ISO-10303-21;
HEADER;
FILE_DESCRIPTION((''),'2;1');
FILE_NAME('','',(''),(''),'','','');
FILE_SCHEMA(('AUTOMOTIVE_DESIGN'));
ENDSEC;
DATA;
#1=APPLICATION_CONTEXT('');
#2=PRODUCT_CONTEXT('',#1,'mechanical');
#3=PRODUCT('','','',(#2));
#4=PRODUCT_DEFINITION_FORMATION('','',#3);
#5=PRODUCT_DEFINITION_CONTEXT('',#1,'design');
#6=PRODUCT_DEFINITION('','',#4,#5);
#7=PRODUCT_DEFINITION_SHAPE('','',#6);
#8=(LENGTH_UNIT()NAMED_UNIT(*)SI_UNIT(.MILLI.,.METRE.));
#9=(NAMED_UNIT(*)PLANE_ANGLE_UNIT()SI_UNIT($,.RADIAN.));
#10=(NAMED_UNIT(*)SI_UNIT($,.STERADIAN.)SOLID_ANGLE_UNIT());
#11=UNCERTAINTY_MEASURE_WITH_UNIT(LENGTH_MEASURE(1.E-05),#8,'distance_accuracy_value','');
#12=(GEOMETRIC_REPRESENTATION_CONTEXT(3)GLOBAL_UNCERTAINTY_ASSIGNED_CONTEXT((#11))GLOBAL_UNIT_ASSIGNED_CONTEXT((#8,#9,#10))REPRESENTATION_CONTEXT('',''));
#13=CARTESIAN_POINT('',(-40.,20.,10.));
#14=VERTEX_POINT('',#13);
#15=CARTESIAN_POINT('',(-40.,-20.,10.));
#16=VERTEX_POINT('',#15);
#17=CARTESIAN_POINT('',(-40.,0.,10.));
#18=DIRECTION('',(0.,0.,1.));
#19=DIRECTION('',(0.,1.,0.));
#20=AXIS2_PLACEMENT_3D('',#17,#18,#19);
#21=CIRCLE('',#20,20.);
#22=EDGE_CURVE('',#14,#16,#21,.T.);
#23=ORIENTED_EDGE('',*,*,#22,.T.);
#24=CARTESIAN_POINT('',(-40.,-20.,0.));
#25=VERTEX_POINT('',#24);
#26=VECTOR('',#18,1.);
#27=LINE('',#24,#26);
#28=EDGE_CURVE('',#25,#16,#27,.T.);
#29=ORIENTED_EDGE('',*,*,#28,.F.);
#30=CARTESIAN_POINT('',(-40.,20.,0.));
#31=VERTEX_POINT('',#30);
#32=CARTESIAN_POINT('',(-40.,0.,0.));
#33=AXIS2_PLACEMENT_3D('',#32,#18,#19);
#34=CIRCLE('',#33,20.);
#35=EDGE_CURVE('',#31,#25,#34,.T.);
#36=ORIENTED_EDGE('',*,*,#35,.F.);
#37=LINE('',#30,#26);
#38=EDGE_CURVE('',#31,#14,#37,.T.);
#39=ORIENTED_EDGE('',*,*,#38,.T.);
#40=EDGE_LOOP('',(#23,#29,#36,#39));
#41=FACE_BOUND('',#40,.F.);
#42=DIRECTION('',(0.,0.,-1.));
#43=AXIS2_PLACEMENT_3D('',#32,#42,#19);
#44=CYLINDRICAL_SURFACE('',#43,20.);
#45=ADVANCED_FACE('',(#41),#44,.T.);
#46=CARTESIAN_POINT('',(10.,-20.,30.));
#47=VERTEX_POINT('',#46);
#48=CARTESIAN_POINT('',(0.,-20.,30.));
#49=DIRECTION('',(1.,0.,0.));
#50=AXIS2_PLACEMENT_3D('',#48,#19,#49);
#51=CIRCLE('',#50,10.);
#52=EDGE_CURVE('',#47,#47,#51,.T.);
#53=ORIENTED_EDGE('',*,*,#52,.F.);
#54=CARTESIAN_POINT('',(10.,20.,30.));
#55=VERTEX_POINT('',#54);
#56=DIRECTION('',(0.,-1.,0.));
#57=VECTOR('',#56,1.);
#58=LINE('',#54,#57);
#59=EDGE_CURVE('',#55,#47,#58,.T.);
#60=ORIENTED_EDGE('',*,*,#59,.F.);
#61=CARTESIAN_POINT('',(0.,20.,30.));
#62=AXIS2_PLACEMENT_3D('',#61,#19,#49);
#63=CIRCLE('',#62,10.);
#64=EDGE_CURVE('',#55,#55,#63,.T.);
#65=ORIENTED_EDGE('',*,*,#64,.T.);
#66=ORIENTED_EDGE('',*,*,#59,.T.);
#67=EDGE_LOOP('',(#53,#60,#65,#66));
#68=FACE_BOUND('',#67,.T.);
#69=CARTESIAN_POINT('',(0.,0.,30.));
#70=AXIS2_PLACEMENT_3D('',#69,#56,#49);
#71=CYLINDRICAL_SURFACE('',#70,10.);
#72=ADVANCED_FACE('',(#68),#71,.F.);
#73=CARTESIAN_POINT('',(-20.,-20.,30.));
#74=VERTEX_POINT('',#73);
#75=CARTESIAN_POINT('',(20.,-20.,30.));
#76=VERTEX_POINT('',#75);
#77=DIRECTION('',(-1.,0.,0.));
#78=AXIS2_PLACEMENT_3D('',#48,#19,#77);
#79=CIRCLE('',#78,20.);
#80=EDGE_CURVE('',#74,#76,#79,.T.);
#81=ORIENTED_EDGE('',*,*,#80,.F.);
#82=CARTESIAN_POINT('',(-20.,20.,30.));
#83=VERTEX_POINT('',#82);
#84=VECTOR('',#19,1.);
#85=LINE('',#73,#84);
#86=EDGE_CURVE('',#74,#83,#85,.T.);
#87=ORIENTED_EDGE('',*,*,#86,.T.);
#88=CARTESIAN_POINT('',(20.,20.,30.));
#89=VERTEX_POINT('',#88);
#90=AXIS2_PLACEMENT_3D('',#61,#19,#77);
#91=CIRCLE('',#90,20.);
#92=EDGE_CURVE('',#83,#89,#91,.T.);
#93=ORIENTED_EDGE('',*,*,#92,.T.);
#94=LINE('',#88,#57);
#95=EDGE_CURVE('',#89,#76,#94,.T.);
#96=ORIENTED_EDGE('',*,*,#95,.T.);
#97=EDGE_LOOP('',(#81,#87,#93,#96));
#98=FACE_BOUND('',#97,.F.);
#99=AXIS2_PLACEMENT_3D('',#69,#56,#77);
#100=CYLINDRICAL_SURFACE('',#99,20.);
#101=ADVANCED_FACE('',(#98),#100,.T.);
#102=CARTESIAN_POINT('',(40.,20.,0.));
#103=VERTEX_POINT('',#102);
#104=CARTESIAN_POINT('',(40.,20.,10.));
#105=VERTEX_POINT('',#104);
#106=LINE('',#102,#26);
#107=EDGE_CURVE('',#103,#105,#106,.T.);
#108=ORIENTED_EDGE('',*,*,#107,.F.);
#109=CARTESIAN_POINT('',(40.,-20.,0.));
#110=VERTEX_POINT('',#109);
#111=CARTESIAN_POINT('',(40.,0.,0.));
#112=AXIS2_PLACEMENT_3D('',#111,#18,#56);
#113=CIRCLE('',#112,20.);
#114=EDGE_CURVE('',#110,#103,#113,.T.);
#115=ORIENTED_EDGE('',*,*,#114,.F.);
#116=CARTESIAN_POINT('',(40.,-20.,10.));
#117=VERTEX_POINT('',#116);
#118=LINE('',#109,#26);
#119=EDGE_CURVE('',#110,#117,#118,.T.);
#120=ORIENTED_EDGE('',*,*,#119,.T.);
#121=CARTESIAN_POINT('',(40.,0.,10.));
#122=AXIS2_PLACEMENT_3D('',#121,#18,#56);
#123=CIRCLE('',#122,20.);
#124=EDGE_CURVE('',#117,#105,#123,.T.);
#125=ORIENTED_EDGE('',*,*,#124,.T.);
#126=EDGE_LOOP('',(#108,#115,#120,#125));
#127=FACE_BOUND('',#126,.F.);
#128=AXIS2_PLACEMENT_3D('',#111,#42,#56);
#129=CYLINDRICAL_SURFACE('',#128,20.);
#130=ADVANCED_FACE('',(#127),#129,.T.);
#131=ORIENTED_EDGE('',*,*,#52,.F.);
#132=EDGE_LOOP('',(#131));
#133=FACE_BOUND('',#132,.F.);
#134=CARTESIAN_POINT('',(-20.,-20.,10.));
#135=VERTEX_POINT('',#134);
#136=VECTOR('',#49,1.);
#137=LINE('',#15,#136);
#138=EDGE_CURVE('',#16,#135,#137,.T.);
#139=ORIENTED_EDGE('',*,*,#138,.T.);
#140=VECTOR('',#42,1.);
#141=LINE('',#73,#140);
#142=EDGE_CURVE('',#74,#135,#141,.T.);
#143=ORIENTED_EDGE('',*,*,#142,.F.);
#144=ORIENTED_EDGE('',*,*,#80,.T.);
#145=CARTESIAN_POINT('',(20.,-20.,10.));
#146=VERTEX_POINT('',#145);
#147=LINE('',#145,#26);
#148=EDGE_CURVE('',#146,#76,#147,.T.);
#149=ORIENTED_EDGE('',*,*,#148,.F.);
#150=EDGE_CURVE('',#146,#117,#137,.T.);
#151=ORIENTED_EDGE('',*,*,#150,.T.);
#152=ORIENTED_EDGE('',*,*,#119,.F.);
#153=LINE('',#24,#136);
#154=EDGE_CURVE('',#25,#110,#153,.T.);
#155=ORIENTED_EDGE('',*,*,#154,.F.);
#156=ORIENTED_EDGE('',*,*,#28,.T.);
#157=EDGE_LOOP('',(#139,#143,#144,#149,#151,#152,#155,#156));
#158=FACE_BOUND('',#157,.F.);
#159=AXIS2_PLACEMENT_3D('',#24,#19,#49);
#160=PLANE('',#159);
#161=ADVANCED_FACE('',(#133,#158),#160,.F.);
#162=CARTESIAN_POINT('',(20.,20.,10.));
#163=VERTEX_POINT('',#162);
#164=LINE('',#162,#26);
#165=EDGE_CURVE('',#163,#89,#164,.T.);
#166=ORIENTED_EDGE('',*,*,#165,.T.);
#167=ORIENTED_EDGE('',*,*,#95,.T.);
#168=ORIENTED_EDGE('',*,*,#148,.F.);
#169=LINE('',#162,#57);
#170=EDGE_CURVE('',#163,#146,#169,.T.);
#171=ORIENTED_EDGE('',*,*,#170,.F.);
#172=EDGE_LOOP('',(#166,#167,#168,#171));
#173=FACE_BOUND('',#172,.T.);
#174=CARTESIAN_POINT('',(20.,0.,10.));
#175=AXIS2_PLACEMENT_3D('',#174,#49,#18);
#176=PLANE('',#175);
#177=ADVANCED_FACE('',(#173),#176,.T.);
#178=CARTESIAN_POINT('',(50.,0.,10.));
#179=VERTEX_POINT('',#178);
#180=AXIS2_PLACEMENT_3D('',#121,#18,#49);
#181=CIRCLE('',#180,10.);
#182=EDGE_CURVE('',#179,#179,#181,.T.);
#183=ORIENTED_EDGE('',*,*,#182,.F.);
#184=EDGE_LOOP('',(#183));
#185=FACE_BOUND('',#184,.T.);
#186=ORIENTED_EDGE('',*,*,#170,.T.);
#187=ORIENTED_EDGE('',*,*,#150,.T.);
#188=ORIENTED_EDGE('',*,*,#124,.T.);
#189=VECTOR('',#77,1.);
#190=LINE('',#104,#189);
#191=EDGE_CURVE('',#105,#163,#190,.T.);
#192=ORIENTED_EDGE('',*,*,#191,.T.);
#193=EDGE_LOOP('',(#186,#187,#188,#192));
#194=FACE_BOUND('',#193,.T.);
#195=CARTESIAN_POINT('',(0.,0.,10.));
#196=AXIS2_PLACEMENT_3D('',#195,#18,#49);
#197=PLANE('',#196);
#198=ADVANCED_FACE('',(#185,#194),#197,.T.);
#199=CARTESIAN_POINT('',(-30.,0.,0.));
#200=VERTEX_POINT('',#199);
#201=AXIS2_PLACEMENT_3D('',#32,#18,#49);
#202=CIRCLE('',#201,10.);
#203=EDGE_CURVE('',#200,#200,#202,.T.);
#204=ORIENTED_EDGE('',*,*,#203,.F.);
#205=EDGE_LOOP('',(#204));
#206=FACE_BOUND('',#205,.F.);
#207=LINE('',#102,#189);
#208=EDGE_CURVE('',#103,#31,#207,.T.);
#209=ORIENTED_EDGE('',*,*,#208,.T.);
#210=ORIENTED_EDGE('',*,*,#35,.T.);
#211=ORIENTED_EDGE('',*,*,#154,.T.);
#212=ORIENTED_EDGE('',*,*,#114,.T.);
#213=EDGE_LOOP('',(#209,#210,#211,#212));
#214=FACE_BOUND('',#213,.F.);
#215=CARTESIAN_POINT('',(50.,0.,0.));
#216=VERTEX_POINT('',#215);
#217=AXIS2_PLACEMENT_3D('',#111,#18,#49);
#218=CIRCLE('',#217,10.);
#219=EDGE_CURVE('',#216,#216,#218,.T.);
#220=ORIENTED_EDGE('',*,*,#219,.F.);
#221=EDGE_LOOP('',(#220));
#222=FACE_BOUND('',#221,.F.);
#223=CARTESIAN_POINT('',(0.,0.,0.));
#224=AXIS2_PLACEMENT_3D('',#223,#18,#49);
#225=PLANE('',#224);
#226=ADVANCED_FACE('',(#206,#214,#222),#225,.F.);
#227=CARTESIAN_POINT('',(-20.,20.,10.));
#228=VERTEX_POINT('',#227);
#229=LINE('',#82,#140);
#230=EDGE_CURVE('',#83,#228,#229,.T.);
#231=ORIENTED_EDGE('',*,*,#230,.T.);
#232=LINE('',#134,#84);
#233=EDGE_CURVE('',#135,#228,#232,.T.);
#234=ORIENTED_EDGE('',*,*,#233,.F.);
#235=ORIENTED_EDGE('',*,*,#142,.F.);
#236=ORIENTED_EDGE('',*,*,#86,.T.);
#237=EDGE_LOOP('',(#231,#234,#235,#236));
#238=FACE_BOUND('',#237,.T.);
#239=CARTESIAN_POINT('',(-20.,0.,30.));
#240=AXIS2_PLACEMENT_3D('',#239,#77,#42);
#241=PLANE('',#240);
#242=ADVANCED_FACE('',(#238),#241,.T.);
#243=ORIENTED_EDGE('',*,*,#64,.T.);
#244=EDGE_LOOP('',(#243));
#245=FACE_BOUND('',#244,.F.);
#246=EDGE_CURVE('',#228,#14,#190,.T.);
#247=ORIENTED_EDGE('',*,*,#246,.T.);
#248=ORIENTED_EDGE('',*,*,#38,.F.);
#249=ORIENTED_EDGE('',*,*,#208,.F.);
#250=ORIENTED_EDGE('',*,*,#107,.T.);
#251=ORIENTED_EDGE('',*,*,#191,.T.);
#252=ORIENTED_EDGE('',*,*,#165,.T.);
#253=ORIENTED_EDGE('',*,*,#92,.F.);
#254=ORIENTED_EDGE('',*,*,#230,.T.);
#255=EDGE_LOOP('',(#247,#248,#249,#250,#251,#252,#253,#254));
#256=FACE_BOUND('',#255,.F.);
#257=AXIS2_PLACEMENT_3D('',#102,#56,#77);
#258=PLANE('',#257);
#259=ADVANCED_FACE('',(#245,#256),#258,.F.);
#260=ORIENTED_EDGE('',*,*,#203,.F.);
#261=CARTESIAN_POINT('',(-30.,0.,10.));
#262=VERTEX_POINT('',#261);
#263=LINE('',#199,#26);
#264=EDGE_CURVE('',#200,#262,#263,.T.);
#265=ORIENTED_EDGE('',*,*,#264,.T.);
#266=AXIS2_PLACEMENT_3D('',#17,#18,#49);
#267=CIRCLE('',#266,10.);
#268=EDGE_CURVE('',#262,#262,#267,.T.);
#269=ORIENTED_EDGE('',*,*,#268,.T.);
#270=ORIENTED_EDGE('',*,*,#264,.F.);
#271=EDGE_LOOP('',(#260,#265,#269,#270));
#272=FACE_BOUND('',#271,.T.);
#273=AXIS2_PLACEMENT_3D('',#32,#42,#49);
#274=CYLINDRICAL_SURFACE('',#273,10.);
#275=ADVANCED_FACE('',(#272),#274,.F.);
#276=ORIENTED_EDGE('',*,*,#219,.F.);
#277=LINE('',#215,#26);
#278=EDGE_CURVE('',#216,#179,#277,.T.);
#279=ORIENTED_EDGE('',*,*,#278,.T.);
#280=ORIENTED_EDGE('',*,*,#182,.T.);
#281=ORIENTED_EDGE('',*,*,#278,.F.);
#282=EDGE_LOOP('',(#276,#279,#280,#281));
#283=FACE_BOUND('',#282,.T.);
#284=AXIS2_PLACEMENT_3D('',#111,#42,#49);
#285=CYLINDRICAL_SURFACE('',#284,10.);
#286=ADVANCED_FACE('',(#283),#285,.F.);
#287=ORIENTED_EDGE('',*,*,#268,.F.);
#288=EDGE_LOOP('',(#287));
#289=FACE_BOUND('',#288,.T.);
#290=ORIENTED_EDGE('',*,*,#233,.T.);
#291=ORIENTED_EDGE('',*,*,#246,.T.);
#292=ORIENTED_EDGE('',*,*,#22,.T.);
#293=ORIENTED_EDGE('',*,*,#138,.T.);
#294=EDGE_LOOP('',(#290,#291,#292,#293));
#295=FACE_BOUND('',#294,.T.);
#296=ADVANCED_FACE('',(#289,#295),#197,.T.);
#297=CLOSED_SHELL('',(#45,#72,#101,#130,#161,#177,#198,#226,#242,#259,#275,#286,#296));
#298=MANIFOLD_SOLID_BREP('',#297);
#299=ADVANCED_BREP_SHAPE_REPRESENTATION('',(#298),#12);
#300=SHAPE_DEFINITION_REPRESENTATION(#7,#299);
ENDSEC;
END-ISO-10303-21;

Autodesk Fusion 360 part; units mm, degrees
sketch "Sketch1" plane through (0, 0, 0) normal (0, 0, 1) x (1, 0, 0)
  line L0 (40, 20) -> (-40, 20)
  line L1 (-40, -20) -> (40, -20)
  circle A0 centre (40, 0) radius 10
  circle A1 centre (-40, 0) radius 10
  arc A2 (-40, 20) -> (-40, -20) centre (-40, 0) ccw
  arc A3 (40, -20) -> (40, 20) centre (40, 0) ccw
  dimension "d1" = 80
  dimension "d2" = 40
  dimension "d3" = 40
  dimension "d4" = 40
extrude "Extrude1" add sketch "Sketch1" along normal blind 10
sketch "Sketch2" plane through (0, 0, 0) normal (0, 1, 0) x (1, 0, 0)
  line L0 (-20, -10) -> (20, -10)
  line L1 (20, -10) -> (20, -30)
  line L2 (-20, -30) -> (-20, -10)
  line L3 (-40, -10) -> (40, -10)
  arc A0 (-20, -30) -> (20, -30) centre (0, -30) ccw
  circle A1 centre (0, -30) radius 10
  dimension "d9" = 40
  dimension "d10" = 20
  dimension "d12" = 20
  dimension "d13" = 20
extrude "Extrude2" add sketch "Sketch2" along normal mid plane 40
